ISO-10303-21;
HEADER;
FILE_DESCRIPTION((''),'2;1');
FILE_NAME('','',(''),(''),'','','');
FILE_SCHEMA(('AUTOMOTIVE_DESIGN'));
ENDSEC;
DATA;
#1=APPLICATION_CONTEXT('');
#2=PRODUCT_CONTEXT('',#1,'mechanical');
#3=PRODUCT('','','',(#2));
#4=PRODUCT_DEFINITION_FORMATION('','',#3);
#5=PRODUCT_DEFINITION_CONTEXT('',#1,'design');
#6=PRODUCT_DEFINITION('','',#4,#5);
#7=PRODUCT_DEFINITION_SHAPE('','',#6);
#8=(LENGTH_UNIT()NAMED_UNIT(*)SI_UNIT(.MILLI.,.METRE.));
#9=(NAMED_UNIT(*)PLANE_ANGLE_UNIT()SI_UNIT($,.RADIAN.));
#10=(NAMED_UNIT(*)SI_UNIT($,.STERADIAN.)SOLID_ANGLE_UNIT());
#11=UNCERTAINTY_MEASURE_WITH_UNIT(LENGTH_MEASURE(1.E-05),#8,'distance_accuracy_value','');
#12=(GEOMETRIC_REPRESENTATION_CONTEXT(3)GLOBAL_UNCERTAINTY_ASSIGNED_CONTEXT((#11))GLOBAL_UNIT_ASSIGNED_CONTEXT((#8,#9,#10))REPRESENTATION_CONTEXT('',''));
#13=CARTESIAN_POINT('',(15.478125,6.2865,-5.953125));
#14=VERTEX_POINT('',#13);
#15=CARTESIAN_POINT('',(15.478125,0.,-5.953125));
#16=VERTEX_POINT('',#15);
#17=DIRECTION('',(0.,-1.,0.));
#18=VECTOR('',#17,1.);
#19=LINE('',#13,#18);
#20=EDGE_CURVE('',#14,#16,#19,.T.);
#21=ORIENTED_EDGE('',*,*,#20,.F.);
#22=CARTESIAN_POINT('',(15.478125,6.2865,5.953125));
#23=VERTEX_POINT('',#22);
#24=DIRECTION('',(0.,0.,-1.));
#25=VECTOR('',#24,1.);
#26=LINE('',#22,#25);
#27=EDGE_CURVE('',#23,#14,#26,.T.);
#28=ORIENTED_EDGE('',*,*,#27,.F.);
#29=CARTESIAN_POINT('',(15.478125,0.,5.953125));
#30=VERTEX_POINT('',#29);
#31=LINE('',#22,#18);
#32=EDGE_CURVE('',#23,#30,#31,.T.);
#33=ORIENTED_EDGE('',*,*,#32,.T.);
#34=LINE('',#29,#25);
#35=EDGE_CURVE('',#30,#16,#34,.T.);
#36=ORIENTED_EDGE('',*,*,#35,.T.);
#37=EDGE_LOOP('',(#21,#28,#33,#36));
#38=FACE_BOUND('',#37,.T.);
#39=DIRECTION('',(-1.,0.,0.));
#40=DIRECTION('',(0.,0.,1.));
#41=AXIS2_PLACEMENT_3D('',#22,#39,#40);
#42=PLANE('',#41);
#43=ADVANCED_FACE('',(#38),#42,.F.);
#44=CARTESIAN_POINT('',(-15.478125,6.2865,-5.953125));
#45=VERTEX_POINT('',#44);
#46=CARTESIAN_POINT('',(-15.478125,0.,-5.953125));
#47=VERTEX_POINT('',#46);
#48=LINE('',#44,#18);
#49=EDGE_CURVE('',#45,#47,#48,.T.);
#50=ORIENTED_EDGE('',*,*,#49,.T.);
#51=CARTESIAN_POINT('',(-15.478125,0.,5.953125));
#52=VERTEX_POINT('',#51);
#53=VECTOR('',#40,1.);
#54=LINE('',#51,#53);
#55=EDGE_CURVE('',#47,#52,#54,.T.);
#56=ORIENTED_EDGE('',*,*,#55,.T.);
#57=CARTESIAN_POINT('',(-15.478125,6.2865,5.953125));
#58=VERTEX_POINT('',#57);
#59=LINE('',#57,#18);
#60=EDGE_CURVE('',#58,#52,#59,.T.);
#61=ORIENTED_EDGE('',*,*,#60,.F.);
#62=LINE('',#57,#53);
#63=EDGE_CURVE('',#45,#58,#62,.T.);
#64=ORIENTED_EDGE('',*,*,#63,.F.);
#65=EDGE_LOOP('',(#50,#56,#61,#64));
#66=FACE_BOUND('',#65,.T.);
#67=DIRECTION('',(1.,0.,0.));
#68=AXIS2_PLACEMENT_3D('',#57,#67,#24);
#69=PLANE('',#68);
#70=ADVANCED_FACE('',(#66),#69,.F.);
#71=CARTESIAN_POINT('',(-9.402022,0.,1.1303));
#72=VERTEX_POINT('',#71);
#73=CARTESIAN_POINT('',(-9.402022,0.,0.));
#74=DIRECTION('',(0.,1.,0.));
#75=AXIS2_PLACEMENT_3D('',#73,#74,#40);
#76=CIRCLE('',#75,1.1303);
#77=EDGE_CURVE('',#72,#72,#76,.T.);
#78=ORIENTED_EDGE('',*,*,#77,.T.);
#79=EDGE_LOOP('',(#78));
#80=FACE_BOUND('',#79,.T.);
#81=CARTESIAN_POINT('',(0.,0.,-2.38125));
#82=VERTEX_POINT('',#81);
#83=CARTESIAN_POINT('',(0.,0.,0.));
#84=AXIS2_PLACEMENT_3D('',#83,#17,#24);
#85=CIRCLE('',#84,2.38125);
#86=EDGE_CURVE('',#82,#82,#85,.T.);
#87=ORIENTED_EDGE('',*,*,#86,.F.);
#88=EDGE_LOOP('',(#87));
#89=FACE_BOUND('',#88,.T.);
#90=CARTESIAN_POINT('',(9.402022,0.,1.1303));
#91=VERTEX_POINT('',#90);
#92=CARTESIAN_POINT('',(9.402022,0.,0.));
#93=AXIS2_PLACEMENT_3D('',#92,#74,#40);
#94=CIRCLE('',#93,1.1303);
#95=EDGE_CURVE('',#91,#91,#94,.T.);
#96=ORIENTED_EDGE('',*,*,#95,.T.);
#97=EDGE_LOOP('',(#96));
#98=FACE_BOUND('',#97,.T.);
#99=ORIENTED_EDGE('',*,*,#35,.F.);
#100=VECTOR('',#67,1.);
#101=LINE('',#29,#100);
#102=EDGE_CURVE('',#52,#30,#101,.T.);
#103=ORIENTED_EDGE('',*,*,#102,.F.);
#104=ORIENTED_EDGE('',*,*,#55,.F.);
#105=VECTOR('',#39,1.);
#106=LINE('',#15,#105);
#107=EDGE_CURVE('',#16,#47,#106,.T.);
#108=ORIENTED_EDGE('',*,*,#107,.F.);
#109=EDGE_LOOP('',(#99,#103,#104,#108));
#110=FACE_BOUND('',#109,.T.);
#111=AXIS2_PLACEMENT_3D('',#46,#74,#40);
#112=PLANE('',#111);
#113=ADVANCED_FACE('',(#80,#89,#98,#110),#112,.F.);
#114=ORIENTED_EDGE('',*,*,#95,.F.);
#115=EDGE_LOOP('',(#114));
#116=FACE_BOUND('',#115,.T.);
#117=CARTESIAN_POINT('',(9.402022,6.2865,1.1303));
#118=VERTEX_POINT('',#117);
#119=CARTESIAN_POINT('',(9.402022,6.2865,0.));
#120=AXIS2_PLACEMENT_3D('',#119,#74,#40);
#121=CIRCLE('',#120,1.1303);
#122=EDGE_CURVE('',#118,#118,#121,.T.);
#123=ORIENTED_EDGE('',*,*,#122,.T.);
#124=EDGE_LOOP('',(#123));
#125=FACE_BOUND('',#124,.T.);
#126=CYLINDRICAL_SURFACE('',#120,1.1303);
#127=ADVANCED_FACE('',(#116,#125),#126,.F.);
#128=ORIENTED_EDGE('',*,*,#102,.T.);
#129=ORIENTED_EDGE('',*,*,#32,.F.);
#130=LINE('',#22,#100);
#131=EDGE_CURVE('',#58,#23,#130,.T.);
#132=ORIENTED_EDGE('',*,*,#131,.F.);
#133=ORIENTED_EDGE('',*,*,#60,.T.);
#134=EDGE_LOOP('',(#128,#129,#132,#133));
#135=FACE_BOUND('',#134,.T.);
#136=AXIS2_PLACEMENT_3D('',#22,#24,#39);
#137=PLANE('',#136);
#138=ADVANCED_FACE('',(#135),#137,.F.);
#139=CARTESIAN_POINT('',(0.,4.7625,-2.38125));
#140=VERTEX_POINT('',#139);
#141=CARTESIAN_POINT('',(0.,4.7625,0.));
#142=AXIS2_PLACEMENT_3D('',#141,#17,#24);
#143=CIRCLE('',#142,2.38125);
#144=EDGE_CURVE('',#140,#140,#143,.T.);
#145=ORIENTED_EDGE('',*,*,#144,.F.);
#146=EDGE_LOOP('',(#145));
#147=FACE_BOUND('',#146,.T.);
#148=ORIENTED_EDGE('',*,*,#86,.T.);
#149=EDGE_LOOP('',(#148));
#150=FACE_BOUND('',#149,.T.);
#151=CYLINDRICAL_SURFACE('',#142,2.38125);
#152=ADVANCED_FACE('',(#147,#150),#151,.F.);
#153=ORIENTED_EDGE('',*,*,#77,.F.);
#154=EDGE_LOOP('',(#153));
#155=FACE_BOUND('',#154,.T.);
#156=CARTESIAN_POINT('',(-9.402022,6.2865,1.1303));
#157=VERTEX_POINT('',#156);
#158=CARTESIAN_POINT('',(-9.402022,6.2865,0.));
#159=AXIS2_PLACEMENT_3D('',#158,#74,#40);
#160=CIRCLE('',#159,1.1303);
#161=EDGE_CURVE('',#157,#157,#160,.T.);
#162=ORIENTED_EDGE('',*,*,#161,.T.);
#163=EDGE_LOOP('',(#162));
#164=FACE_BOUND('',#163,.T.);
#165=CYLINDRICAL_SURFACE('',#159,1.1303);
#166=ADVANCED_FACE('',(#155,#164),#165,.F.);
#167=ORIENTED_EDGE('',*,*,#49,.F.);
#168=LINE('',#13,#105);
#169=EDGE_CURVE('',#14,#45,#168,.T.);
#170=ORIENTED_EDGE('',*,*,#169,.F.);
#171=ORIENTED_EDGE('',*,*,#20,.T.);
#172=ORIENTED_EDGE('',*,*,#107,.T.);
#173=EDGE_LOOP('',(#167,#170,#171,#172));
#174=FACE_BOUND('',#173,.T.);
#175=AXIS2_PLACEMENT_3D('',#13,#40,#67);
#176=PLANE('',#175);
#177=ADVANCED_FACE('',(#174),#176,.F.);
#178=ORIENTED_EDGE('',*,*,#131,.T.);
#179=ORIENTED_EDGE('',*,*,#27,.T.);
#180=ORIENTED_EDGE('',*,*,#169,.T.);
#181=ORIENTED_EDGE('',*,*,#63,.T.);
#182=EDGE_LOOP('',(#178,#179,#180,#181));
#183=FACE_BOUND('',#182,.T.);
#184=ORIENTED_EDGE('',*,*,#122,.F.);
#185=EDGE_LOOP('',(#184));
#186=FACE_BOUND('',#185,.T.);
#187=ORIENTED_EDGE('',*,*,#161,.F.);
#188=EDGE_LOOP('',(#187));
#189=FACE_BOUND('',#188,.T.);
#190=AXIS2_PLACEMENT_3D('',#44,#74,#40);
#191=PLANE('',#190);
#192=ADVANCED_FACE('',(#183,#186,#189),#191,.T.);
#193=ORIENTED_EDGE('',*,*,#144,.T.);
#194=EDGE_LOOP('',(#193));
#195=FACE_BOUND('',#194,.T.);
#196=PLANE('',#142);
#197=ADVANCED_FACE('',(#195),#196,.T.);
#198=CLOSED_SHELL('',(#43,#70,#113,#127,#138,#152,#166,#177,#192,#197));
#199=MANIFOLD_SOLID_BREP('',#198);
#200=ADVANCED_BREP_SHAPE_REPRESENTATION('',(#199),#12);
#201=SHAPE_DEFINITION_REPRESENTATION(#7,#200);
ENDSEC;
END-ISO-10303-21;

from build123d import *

# Parameters (mm, degrees)
SKETCH1_W                 = 30.95625
SKETCH1_H                 = 11.90625
BOSS_EXTRUDE1_DEPTH       = 6.2865
SKETCH2_R                 = 2.38125
CUT_EXTRUDE1_DEPTH        = 4.7625
F_4_40_TAPPED_HOLE1_D     = 2.2606
F_4_40_TAPPED_HOLE1_DEPTH = 8.89
F_4_40_TAPPED_HOLE1_TIP   = 0.679152758


with BuildPart() as part:
    # Sketch1 → Boss-Extrude1 (new body)
    with BuildSketch(Plane(origin=(0, 0, 0), x_dir=(1, 0, 0), z_dir=(0, 1, 0))):
        Rectangle(SKETCH1_W, SKETCH1_H)
    extrude(amount=BOSS_EXTRUDE1_DEPTH)

    # Sketch2 → Cut-Extrude1 (cut)
    with BuildSketch(Plane.XZ):
        Circle(SKETCH2_R)
    extrude(amount=-CUT_EXTRUDE1_DEPTH, mode=Mode.SUBTRACT)

    # #4-40 Tapped Hole1
    with Locations(Plane(origin=(0, 6.2865, 0), x_dir=(-1, 0, 0), z_dir=(0, 1, 0))):
        with Locations((9.402022244, 0), (-9.402022244, 0)):
            Hole(F_4_40_TAPPED_HOLE1_D / 2, depth=F_4_40_TAPPED_HOLE1_DEPTH)
            with Locations((0, 0, -(F_4_40_TAPPED_HOLE1_DEPTH + F_4_40_TAPPED_HOLE1_TIP / 2))):  # 118° drill point
                Cone(0, F_4_40_TAPPED_HOLE1_D / 2, F_4_40_TAPPED_HOLE1_TIP, mode=Mode.SUBTRACT)


solid = part.part
